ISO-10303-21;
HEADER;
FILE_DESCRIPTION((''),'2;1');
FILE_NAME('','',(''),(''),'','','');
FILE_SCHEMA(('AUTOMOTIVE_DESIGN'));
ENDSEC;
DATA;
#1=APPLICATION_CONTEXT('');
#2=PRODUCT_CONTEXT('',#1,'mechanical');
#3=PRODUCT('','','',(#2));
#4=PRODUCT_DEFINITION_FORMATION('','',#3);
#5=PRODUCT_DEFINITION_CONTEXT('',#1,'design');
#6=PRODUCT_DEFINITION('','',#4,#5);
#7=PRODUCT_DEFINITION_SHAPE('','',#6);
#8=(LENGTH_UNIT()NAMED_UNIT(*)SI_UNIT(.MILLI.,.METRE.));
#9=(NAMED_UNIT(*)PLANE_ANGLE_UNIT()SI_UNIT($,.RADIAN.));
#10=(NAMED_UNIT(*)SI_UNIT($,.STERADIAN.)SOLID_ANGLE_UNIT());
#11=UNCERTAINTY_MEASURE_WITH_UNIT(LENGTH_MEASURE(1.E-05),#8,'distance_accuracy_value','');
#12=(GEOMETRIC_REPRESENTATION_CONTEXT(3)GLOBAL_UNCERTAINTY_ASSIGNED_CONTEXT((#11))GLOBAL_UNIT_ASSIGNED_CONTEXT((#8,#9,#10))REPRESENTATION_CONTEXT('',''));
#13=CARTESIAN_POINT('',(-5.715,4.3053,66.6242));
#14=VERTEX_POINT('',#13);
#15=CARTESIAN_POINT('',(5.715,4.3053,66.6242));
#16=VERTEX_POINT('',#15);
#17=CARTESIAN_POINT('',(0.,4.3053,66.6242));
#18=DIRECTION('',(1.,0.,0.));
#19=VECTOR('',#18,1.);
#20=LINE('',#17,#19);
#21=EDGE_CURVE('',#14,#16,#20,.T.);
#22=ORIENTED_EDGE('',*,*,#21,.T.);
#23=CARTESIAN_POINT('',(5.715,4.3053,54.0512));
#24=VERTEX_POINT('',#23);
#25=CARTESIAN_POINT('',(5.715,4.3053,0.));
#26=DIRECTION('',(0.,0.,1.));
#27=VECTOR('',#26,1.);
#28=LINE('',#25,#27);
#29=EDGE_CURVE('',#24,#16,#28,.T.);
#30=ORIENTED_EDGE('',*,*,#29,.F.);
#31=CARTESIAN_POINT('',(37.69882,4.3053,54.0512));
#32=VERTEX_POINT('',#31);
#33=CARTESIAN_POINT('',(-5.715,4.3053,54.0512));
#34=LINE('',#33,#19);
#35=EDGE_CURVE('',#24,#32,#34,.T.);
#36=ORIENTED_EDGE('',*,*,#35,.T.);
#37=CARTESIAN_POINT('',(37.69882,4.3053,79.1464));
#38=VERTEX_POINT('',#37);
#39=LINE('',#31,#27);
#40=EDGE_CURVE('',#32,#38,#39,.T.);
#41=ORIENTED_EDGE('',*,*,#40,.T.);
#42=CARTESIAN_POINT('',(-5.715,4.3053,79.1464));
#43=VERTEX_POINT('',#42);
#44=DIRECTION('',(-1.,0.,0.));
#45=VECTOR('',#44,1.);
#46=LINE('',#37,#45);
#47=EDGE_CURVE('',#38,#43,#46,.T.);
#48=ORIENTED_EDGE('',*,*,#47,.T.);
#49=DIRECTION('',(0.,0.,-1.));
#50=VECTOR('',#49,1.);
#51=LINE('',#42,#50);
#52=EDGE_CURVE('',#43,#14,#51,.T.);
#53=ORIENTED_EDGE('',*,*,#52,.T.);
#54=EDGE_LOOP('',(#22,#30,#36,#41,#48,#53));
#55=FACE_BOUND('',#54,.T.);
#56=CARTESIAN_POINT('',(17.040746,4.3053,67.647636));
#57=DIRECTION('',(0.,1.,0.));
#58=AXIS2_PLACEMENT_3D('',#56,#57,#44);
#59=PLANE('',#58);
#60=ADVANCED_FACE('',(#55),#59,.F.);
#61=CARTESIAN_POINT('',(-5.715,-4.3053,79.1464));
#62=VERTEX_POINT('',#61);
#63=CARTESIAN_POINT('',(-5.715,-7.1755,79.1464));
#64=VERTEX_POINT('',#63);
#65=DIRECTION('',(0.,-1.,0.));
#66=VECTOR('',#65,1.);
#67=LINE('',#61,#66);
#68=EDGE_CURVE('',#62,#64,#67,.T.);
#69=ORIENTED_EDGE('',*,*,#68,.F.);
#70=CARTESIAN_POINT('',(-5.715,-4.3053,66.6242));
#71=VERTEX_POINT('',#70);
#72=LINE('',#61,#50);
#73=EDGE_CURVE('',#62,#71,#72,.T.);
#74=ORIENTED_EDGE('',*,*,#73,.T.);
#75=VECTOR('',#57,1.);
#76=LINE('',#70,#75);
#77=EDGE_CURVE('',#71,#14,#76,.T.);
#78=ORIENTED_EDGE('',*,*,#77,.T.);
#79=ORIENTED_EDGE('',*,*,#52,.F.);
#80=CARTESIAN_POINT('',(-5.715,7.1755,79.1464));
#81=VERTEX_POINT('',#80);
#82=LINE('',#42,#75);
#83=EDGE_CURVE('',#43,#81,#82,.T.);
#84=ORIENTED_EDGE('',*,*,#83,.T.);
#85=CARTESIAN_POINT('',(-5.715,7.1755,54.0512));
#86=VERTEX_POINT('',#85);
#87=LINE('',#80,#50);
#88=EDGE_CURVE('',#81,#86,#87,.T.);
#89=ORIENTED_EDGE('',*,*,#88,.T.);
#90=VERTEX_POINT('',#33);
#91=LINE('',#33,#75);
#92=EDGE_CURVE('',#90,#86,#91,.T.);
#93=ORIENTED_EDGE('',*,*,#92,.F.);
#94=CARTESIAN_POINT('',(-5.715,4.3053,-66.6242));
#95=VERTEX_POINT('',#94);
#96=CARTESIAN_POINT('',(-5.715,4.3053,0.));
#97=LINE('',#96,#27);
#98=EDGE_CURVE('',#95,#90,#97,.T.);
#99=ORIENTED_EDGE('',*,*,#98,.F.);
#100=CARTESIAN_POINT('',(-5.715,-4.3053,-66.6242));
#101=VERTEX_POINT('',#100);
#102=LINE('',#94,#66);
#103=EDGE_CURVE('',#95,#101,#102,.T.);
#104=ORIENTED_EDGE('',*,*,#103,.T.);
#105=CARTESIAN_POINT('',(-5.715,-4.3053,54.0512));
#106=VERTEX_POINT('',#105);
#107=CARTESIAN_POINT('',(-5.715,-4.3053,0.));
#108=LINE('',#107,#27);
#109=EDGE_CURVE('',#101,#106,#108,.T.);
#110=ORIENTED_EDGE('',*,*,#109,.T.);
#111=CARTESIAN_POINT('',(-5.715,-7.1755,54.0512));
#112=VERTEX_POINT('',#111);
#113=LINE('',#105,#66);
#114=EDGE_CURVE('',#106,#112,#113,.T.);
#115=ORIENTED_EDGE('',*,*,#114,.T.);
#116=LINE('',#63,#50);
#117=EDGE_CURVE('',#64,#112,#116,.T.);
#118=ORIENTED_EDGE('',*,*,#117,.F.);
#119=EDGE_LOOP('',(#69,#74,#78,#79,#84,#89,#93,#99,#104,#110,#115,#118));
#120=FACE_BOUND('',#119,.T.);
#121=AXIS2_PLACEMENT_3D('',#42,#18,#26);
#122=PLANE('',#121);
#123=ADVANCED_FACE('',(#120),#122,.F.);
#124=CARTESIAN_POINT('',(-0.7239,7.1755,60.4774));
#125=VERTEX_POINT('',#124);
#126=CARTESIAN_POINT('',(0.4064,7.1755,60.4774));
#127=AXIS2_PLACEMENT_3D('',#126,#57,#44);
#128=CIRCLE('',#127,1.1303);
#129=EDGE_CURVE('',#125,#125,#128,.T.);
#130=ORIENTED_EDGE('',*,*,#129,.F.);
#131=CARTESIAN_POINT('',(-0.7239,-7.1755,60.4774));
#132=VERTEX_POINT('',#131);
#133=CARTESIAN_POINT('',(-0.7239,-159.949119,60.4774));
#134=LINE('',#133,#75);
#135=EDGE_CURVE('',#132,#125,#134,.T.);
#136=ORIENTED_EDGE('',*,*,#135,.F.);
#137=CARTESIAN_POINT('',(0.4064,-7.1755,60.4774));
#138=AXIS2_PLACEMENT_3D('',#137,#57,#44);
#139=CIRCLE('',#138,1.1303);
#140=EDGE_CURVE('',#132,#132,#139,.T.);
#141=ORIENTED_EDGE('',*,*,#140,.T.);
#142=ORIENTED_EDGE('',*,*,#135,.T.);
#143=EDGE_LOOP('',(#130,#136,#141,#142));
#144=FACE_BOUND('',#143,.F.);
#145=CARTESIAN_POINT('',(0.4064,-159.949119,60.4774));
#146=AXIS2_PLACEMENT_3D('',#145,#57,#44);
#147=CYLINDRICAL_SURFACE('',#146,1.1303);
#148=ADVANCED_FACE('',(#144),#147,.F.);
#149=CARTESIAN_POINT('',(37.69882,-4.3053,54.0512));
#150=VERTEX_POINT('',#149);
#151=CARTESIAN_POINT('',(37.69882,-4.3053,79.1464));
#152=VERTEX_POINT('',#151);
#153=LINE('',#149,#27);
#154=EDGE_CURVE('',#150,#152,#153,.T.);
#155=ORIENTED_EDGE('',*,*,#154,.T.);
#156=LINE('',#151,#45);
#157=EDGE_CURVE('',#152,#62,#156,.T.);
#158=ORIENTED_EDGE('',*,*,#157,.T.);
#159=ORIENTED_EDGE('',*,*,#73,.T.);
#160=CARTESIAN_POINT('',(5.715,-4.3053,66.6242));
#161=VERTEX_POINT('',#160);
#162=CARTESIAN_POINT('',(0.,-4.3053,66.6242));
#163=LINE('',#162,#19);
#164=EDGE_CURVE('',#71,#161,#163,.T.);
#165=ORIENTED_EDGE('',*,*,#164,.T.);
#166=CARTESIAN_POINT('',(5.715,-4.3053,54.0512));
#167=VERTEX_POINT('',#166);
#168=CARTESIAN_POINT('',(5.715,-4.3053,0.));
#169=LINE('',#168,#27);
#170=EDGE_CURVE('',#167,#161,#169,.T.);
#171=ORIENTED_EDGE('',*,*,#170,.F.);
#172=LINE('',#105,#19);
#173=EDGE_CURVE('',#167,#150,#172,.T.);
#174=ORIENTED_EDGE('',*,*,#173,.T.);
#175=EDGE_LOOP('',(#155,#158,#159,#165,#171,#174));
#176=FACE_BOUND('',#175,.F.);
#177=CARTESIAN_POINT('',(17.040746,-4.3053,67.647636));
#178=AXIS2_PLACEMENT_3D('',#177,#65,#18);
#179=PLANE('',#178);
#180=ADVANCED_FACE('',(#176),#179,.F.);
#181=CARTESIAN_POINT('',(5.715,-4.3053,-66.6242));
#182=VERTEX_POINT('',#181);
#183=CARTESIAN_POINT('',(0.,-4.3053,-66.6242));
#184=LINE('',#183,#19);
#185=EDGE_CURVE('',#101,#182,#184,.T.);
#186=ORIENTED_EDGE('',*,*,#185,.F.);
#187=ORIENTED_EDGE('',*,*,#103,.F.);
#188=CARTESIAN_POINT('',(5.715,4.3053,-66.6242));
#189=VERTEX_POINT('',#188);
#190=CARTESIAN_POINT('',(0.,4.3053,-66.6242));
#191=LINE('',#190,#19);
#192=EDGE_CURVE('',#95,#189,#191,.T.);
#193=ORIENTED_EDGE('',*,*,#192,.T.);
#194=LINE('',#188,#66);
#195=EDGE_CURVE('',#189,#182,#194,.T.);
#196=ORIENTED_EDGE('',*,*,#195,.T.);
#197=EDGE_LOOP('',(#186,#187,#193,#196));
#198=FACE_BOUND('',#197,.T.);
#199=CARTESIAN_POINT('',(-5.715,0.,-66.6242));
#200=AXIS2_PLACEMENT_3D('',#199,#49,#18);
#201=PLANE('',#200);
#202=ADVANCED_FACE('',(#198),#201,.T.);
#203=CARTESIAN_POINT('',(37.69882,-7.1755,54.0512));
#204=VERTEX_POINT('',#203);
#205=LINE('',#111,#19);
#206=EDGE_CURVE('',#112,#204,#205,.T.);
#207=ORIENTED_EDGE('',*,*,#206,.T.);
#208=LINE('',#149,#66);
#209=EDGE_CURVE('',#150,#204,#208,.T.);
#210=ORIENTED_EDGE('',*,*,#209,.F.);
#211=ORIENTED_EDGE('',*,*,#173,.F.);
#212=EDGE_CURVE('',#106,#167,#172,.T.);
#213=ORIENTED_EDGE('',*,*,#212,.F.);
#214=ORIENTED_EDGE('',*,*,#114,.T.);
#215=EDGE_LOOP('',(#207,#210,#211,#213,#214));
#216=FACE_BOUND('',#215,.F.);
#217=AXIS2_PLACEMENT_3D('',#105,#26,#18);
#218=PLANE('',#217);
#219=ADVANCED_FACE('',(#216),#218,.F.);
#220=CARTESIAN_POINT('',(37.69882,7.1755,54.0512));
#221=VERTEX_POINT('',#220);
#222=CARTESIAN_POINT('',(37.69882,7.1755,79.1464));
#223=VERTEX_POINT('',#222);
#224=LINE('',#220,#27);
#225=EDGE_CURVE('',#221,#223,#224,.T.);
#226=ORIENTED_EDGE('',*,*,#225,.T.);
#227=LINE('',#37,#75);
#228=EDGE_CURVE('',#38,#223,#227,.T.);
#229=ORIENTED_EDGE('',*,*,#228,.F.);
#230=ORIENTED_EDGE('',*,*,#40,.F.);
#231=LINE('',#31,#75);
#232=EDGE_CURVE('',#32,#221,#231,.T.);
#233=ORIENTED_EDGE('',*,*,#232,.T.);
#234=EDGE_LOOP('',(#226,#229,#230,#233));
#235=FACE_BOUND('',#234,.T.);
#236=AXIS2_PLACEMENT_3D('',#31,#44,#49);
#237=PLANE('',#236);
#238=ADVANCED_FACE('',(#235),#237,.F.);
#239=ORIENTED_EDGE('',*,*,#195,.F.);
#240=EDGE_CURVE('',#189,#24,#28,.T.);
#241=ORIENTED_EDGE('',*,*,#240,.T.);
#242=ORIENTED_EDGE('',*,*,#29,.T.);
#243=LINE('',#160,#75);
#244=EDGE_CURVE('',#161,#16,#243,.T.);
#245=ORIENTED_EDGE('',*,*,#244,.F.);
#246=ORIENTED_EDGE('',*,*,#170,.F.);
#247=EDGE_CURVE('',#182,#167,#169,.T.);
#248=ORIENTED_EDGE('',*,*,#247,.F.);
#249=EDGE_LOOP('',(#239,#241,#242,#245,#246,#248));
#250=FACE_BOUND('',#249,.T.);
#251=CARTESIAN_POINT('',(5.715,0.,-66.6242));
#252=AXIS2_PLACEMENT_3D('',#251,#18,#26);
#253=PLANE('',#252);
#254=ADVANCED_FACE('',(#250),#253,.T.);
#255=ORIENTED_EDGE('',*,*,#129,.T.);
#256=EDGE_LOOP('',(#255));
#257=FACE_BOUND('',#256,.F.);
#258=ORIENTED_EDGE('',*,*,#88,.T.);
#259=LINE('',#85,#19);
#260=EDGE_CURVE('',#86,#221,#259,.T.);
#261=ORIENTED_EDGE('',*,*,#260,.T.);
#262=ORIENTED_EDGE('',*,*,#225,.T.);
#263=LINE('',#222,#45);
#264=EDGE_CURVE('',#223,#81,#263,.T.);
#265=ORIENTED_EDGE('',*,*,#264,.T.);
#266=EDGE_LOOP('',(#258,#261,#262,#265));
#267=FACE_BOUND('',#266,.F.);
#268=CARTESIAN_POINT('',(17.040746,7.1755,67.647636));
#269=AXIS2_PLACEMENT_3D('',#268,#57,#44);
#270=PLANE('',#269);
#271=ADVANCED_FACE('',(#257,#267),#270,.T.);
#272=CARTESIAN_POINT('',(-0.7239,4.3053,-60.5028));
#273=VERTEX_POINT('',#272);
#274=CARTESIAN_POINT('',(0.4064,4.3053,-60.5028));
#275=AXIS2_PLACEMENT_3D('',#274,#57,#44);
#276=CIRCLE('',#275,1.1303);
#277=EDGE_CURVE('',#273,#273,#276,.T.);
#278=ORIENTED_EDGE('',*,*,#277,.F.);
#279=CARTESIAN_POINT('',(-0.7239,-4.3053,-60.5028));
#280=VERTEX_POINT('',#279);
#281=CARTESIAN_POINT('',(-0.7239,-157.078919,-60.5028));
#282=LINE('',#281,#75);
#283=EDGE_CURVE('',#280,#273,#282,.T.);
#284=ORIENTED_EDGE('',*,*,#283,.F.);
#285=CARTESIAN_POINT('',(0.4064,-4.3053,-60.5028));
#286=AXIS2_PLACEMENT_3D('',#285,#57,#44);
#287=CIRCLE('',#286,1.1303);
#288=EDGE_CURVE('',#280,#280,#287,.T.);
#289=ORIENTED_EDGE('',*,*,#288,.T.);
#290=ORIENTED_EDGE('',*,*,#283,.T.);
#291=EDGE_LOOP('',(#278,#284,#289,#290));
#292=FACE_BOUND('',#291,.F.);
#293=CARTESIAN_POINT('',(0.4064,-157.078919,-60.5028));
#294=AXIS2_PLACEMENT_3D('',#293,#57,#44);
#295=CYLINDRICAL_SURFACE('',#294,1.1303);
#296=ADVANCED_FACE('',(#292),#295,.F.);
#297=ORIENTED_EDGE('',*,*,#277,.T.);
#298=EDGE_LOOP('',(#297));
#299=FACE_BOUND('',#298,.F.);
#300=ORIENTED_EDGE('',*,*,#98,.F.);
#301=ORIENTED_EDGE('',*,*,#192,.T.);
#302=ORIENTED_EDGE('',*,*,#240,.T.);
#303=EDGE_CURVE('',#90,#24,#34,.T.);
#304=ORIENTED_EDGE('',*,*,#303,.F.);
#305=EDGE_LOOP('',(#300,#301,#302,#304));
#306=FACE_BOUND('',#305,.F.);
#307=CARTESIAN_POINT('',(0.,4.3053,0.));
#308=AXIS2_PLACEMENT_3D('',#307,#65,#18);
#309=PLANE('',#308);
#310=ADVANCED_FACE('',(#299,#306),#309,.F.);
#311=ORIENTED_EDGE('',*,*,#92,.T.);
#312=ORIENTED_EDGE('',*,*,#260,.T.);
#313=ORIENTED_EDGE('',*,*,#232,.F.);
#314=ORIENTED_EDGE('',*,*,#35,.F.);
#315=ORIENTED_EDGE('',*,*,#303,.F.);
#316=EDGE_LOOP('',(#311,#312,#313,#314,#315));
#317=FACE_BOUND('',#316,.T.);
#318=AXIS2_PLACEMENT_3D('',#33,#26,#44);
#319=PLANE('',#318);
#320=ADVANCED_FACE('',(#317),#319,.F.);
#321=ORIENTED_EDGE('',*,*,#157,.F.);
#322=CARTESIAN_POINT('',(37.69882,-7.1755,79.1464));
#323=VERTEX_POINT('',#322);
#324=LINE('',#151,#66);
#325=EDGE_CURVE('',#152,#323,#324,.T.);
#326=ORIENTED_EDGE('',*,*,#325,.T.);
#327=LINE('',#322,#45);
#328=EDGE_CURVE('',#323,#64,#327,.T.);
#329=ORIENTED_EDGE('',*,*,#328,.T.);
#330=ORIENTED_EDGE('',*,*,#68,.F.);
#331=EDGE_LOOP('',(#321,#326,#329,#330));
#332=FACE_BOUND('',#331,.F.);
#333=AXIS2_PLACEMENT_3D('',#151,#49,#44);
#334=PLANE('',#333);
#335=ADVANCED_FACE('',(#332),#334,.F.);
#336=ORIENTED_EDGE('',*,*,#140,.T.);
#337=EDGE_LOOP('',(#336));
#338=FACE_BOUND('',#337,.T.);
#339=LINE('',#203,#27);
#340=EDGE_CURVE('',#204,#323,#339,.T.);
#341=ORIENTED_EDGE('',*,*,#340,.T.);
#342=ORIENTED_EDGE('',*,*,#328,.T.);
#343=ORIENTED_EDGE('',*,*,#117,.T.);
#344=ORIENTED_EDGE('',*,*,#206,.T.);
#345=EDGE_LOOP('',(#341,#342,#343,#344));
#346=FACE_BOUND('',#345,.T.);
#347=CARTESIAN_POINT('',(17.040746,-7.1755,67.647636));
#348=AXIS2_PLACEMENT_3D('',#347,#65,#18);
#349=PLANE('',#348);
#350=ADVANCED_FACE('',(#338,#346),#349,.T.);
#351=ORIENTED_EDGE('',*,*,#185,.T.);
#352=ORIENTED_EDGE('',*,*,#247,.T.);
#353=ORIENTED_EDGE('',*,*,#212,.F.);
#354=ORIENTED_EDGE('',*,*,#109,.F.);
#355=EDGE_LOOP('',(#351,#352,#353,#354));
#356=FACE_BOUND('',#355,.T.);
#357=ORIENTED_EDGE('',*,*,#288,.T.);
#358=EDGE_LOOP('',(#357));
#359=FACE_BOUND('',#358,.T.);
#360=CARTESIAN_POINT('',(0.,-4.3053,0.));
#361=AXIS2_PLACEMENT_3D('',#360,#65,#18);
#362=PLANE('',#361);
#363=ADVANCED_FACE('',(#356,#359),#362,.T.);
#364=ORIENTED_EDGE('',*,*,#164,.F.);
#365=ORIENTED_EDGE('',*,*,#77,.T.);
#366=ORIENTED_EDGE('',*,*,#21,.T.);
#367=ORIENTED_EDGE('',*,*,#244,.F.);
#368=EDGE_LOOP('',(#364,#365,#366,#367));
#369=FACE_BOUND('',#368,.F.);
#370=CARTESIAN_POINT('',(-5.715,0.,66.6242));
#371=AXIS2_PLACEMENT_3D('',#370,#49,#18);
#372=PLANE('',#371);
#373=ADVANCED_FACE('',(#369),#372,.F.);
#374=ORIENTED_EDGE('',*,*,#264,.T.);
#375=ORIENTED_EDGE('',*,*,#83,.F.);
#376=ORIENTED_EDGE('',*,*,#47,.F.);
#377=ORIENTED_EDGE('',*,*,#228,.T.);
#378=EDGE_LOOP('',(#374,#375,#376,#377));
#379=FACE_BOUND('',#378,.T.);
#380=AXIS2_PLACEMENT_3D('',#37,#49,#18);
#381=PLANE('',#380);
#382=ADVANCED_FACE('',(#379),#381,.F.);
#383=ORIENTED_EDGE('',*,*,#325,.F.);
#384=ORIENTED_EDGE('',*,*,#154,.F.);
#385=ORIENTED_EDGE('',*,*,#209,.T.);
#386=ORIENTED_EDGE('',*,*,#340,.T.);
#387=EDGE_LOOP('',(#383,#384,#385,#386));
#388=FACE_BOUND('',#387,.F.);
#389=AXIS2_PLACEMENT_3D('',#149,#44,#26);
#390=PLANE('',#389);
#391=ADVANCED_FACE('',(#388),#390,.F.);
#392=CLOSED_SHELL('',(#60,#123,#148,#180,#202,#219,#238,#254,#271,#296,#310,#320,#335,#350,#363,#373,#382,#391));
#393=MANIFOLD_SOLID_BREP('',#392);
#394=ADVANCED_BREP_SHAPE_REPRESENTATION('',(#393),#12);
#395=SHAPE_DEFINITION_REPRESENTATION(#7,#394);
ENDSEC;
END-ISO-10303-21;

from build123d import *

# Parameters (mm, degrees)
F0_W     = 11.43
F0_H     = 133.2484
F1_DEPTH = 4.3053
F2_W     = 11.43
F2_H     = 12.573
F3_DEPTH = 2.8702
F7_D     = 2.2606
F8_D     = 2.2606


with BuildPart() as f1:
    # F0 (on Front) → F1 (new body, symmetric)
    with BuildSketch(Plane.XZ):
        Rectangle(F0_W, F0_H)
    extrude(amount=F1_DEPTH, both=True)

    # F2 (on face) → F3 (join)
    with BuildSketch(Plane.XZ.offset(4.3053)):
        Polygon((5.715, 66.6242), (5.715, 54.0512), (37.6988202333, 54.0512), (37.6988202333, 79.1464), (5.715, 79.1464), (-5.715, 79.1464), (-5.715, 66.6242), align=None)
        with Locations((0, 60.3377)):
            Rectangle(F2_W, F2_H)
    extrude(amount=F3_DEPTH)

    # F4: F1 across plane


with BuildPart() as f1_1:
    add(f1.part)
    add(f1.part.mirror(Plane.XZ))

    # F7 (through all)
    with Locations(Plane.XZ.offset(7.1755)):
        with Locations((0.4064, 60.4774)):
            Hole(F7_D / 2)

    # F8 (through all)
    with Locations(Plane.XZ.offset(4.3053)):
        with Locations((0.4064, -60.5028)):
            Hole(F8_D / 2)


solid = f1_1.part
